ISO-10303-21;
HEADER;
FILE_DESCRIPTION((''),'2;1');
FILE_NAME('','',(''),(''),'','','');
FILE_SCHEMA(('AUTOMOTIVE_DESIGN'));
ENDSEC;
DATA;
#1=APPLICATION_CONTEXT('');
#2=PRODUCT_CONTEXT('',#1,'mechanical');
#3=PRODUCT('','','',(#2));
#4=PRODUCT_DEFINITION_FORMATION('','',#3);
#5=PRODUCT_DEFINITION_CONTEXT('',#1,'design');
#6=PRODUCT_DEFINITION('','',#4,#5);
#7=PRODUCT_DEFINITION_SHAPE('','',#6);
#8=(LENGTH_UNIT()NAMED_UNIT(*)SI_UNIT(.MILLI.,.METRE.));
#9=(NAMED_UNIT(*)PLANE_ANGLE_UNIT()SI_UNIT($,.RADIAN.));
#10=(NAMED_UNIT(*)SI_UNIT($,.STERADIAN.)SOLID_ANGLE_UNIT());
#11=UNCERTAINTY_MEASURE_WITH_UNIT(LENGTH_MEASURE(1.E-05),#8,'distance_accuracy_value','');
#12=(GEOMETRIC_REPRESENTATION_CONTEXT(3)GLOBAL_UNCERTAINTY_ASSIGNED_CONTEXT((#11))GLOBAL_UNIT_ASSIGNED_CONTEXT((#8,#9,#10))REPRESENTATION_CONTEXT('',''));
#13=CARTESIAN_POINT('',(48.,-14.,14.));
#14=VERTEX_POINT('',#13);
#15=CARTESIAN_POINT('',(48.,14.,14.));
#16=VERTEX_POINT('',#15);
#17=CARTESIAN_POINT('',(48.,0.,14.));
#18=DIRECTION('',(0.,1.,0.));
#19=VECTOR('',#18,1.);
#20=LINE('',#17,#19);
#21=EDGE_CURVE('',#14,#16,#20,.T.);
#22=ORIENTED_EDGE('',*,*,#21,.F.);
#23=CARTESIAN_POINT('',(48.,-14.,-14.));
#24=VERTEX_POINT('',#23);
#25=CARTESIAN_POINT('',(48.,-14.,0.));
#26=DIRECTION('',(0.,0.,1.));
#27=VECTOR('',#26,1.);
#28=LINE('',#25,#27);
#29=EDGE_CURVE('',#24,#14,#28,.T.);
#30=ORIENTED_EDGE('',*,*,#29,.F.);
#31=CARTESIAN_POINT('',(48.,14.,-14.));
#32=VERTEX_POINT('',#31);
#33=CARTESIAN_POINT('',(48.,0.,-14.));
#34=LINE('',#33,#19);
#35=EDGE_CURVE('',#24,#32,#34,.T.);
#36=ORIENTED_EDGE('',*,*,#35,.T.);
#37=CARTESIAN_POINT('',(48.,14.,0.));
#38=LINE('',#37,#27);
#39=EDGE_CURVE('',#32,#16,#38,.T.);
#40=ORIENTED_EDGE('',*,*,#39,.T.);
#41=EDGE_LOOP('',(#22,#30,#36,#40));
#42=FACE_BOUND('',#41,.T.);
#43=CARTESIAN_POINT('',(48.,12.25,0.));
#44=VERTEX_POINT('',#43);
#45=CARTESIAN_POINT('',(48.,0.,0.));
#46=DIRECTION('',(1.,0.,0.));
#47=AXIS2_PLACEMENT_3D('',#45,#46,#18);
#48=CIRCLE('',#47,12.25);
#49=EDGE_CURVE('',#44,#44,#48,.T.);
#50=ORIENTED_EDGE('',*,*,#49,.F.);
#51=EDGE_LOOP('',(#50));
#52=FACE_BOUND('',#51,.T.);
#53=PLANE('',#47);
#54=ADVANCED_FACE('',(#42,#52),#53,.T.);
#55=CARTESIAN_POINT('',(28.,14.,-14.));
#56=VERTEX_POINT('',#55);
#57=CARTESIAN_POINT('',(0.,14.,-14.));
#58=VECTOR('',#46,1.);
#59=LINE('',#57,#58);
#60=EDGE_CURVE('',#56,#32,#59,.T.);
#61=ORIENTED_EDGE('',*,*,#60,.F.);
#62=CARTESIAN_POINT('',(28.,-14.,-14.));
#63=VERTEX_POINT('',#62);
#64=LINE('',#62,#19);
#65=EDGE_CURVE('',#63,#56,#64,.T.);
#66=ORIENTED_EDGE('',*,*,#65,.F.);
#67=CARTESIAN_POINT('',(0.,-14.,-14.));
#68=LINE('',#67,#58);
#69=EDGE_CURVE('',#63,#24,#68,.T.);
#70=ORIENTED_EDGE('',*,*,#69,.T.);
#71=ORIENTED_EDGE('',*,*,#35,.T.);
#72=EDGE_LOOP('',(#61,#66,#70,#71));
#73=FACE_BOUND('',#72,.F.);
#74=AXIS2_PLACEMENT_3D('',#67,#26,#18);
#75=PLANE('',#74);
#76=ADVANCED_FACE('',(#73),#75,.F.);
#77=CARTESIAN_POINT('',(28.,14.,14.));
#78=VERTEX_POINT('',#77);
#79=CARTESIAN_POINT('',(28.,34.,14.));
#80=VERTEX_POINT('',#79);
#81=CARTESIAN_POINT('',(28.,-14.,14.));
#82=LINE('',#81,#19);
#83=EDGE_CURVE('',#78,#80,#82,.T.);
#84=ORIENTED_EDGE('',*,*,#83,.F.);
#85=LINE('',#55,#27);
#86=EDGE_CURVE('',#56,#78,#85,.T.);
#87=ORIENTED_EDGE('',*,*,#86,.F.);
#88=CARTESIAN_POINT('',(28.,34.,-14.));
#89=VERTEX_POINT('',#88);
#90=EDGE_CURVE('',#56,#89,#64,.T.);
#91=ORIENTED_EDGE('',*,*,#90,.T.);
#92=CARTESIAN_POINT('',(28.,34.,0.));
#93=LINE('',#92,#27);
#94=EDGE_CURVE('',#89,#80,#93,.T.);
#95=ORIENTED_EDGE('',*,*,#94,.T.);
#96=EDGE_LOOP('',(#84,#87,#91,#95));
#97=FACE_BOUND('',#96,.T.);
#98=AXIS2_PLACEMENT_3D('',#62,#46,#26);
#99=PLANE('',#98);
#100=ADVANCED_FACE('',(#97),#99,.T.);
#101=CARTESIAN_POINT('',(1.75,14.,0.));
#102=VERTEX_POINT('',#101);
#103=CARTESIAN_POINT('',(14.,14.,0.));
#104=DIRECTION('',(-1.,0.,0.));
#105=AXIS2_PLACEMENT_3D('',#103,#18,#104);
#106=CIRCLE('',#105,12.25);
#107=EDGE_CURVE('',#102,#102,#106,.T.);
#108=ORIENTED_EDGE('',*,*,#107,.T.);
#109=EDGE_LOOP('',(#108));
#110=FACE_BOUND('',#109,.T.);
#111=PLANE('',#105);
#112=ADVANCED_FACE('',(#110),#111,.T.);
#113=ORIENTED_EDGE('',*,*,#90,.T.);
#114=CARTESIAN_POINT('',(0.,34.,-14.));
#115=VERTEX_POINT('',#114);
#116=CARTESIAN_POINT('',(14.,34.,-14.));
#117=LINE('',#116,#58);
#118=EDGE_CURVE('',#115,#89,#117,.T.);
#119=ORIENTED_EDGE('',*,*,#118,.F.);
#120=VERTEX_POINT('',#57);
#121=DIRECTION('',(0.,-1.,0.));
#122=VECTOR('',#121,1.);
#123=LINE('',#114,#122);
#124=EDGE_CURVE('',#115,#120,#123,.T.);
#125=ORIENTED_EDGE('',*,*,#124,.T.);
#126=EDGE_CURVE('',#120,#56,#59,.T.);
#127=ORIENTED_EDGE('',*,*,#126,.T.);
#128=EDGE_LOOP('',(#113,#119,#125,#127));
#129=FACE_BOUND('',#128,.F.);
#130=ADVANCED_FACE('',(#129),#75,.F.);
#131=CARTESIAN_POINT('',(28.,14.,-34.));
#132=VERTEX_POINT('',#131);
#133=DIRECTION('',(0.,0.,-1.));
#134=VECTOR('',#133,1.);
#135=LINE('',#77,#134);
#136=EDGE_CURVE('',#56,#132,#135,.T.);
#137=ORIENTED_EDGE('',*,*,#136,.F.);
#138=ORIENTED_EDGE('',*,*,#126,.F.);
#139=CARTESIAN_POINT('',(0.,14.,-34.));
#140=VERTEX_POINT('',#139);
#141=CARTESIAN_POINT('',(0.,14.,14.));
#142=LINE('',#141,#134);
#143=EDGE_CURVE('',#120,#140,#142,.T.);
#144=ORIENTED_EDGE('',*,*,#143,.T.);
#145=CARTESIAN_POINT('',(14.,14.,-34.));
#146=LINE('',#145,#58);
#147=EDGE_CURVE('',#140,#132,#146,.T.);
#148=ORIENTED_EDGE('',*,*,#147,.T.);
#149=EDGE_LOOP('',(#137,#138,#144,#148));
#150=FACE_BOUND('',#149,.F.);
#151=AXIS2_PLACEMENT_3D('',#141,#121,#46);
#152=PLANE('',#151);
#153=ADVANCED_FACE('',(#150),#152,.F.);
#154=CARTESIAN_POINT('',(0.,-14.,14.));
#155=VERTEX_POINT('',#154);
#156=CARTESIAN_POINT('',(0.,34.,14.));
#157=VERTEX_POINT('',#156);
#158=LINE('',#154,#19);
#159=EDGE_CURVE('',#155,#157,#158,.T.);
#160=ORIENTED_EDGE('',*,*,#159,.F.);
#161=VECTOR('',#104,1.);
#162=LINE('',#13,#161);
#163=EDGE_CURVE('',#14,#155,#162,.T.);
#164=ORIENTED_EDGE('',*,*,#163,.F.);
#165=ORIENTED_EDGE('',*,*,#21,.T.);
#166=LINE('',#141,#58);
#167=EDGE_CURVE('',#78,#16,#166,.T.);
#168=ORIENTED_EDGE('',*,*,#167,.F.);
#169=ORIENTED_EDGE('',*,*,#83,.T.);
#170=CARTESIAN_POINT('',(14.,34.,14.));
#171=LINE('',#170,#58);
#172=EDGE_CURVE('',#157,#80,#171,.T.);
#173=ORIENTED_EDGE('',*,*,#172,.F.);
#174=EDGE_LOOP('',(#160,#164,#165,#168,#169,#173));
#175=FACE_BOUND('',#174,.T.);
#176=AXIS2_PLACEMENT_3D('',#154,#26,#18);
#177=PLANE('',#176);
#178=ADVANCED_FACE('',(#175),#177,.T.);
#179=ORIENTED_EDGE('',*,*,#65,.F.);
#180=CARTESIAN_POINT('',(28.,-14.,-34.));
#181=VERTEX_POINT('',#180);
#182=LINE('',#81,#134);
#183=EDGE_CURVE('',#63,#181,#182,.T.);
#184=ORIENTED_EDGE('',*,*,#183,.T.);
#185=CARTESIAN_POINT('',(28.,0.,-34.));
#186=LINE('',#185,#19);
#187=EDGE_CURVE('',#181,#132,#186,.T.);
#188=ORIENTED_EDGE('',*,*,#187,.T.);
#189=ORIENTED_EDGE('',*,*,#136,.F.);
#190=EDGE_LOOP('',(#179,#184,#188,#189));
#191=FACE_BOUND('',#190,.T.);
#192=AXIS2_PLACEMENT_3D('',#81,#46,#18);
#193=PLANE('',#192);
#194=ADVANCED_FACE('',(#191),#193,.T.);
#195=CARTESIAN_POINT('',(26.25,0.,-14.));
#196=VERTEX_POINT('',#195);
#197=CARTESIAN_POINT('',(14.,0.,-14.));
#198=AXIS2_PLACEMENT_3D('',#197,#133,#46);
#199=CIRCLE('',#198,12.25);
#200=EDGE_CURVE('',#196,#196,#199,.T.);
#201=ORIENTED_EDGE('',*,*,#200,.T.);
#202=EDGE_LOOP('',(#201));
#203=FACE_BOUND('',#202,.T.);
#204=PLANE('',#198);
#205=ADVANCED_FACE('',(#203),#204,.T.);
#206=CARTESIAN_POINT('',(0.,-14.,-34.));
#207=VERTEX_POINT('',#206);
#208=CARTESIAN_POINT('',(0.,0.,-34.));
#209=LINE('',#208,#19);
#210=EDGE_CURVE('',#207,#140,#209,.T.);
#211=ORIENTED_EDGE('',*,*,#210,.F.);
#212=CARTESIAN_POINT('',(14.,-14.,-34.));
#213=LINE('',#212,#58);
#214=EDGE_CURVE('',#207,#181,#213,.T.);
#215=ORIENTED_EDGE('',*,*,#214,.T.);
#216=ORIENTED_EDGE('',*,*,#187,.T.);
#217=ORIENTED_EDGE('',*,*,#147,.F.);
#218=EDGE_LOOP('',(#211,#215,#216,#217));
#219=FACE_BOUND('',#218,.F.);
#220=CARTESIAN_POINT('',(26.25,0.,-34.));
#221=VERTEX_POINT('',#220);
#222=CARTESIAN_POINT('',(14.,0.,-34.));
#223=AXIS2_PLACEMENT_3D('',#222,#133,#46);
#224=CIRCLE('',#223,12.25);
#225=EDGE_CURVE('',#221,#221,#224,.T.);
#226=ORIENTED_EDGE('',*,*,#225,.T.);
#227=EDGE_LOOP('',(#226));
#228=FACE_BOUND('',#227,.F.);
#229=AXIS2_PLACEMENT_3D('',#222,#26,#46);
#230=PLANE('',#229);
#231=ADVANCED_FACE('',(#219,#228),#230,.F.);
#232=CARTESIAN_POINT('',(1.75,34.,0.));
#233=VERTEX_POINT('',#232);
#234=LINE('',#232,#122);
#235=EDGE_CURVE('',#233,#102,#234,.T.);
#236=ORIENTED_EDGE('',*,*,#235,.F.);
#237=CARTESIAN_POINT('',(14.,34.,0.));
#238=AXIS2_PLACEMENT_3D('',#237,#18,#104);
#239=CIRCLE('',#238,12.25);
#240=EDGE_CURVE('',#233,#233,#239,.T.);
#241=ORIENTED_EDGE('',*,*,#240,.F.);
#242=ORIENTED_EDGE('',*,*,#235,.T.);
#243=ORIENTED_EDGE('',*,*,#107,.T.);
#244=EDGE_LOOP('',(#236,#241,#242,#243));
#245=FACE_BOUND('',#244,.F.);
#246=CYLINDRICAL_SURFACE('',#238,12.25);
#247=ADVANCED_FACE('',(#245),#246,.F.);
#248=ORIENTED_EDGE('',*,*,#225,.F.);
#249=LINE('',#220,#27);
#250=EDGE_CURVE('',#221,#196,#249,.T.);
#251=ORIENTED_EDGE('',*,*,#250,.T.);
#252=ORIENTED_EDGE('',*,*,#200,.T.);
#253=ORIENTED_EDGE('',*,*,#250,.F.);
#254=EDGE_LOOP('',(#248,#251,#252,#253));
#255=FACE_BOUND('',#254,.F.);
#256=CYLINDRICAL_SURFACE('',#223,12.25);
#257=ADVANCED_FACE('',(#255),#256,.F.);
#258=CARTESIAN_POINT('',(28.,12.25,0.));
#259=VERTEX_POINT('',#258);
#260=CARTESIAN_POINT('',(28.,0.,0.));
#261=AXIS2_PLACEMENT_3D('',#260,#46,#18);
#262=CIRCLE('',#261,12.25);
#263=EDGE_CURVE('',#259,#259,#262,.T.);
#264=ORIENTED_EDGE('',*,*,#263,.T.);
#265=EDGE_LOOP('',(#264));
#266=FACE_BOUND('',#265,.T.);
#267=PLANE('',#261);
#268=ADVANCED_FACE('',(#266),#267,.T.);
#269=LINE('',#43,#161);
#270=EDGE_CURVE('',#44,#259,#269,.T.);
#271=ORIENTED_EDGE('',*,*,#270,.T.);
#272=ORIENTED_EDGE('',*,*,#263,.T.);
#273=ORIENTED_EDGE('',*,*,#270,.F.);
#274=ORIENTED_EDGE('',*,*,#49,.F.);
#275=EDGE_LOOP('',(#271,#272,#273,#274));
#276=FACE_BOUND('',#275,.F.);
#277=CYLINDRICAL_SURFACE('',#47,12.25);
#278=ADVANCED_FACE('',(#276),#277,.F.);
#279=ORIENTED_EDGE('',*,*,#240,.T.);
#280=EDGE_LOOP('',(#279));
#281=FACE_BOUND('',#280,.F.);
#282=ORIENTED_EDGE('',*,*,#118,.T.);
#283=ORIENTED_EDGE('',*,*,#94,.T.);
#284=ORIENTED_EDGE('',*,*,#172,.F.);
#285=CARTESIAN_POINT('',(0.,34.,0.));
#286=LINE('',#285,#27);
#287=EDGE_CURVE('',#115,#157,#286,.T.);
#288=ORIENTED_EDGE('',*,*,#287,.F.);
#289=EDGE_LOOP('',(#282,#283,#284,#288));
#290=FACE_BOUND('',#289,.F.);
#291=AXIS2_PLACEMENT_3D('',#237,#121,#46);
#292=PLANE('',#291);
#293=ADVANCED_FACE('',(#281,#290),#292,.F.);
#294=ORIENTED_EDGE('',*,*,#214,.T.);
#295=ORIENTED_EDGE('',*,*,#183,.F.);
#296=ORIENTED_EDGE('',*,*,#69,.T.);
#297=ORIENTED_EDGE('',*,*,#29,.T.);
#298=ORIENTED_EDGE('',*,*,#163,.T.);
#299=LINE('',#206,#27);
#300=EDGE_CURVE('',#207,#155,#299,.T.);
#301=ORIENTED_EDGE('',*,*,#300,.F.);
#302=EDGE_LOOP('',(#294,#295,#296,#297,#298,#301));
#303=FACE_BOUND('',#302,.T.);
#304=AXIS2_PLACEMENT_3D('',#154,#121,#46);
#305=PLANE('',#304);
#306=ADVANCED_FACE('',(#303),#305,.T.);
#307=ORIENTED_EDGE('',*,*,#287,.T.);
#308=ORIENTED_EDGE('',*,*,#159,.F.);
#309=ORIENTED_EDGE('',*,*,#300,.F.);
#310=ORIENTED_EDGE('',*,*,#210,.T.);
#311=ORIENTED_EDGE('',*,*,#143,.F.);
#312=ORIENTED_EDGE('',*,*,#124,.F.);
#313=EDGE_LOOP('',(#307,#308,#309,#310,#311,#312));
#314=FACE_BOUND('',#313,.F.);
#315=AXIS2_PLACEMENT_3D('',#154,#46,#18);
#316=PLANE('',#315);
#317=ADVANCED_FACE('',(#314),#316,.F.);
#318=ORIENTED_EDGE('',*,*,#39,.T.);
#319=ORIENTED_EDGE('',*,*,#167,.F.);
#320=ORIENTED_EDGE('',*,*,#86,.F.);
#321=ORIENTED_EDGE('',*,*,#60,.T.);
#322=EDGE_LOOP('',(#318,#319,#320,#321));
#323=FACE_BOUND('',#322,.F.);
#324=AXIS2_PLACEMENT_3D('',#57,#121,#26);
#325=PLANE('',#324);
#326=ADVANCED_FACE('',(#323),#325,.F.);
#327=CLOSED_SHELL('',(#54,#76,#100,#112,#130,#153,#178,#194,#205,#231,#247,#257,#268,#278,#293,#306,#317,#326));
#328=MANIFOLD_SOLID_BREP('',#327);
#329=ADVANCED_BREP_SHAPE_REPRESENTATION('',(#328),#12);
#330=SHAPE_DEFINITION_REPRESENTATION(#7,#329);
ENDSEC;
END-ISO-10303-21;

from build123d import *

# Parameters (mm, degrees)
F0_W      = 28
F0_H      = 28
F1_DEPTH  = 48
F2_W      = 28
F2_H      = 28
F3_DEPTH  = 48
F4_W      = 28
F4_H      = 28
F5_DEPTH  = 48
F6_R      = 12.25
F7_DEPTH  = 20
F8_R      = 12.25
F9_DEPTH  = 20
F10_R     = 12.25
F11_DEPTH = 20


with BuildPart() as f1:
    # F0 (on Right) → F1 (new body)
    with BuildSketch(Plane.YZ):
        Rectangle(F0_W, F0_H)
    extrude(amount=F1_DEPTH)

    # F2 (on face) → F3 (join)
    with BuildSketch(Plane.XZ.offset(14)):
        with Locations((14, 0)):
            Rectangle(F2_W, F2_H)
    extrude(amount=-F3_DEPTH)

    # F4 (on face) → F5 (join)
    with BuildSketch(Plane.XY.offset(14)):
        with Locations((14, 0)):
            Rectangle(F4_W, F4_H)
    extrude(amount=-F5_DEPTH)

    # F6 (on face) → F7 (cut)
    with BuildSketch(Plane.YZ.offset(48)):
        Circle(F6_R)
    extrude(amount=-F7_DEPTH, mode=Mode.SUBTRACT)

    # F8 (on face) → F9 (cut)
    with BuildSketch(Plane(origin=(0, 34, 0), x_dir=(-1, 0, 0), z_dir=(0, 1, 0))):
        with Locations((-14, 0)):
            Circle(F8_R)
    extrude(amount=-F9_DEPTH, mode=Mode.SUBTRACT)

    # F10 (on face) → F11 (cut)
    with BuildSketch(Plane(origin=(0, 0, -34), x_dir=(1, 0, 0), z_dir=(0, 0, -1))):
        with Locations((14, 0)):
            Circle(F10_R)
    extrude(amount=-F11_DEPTH, mode=Mode.SUBTRACT)


solid = f1.part
